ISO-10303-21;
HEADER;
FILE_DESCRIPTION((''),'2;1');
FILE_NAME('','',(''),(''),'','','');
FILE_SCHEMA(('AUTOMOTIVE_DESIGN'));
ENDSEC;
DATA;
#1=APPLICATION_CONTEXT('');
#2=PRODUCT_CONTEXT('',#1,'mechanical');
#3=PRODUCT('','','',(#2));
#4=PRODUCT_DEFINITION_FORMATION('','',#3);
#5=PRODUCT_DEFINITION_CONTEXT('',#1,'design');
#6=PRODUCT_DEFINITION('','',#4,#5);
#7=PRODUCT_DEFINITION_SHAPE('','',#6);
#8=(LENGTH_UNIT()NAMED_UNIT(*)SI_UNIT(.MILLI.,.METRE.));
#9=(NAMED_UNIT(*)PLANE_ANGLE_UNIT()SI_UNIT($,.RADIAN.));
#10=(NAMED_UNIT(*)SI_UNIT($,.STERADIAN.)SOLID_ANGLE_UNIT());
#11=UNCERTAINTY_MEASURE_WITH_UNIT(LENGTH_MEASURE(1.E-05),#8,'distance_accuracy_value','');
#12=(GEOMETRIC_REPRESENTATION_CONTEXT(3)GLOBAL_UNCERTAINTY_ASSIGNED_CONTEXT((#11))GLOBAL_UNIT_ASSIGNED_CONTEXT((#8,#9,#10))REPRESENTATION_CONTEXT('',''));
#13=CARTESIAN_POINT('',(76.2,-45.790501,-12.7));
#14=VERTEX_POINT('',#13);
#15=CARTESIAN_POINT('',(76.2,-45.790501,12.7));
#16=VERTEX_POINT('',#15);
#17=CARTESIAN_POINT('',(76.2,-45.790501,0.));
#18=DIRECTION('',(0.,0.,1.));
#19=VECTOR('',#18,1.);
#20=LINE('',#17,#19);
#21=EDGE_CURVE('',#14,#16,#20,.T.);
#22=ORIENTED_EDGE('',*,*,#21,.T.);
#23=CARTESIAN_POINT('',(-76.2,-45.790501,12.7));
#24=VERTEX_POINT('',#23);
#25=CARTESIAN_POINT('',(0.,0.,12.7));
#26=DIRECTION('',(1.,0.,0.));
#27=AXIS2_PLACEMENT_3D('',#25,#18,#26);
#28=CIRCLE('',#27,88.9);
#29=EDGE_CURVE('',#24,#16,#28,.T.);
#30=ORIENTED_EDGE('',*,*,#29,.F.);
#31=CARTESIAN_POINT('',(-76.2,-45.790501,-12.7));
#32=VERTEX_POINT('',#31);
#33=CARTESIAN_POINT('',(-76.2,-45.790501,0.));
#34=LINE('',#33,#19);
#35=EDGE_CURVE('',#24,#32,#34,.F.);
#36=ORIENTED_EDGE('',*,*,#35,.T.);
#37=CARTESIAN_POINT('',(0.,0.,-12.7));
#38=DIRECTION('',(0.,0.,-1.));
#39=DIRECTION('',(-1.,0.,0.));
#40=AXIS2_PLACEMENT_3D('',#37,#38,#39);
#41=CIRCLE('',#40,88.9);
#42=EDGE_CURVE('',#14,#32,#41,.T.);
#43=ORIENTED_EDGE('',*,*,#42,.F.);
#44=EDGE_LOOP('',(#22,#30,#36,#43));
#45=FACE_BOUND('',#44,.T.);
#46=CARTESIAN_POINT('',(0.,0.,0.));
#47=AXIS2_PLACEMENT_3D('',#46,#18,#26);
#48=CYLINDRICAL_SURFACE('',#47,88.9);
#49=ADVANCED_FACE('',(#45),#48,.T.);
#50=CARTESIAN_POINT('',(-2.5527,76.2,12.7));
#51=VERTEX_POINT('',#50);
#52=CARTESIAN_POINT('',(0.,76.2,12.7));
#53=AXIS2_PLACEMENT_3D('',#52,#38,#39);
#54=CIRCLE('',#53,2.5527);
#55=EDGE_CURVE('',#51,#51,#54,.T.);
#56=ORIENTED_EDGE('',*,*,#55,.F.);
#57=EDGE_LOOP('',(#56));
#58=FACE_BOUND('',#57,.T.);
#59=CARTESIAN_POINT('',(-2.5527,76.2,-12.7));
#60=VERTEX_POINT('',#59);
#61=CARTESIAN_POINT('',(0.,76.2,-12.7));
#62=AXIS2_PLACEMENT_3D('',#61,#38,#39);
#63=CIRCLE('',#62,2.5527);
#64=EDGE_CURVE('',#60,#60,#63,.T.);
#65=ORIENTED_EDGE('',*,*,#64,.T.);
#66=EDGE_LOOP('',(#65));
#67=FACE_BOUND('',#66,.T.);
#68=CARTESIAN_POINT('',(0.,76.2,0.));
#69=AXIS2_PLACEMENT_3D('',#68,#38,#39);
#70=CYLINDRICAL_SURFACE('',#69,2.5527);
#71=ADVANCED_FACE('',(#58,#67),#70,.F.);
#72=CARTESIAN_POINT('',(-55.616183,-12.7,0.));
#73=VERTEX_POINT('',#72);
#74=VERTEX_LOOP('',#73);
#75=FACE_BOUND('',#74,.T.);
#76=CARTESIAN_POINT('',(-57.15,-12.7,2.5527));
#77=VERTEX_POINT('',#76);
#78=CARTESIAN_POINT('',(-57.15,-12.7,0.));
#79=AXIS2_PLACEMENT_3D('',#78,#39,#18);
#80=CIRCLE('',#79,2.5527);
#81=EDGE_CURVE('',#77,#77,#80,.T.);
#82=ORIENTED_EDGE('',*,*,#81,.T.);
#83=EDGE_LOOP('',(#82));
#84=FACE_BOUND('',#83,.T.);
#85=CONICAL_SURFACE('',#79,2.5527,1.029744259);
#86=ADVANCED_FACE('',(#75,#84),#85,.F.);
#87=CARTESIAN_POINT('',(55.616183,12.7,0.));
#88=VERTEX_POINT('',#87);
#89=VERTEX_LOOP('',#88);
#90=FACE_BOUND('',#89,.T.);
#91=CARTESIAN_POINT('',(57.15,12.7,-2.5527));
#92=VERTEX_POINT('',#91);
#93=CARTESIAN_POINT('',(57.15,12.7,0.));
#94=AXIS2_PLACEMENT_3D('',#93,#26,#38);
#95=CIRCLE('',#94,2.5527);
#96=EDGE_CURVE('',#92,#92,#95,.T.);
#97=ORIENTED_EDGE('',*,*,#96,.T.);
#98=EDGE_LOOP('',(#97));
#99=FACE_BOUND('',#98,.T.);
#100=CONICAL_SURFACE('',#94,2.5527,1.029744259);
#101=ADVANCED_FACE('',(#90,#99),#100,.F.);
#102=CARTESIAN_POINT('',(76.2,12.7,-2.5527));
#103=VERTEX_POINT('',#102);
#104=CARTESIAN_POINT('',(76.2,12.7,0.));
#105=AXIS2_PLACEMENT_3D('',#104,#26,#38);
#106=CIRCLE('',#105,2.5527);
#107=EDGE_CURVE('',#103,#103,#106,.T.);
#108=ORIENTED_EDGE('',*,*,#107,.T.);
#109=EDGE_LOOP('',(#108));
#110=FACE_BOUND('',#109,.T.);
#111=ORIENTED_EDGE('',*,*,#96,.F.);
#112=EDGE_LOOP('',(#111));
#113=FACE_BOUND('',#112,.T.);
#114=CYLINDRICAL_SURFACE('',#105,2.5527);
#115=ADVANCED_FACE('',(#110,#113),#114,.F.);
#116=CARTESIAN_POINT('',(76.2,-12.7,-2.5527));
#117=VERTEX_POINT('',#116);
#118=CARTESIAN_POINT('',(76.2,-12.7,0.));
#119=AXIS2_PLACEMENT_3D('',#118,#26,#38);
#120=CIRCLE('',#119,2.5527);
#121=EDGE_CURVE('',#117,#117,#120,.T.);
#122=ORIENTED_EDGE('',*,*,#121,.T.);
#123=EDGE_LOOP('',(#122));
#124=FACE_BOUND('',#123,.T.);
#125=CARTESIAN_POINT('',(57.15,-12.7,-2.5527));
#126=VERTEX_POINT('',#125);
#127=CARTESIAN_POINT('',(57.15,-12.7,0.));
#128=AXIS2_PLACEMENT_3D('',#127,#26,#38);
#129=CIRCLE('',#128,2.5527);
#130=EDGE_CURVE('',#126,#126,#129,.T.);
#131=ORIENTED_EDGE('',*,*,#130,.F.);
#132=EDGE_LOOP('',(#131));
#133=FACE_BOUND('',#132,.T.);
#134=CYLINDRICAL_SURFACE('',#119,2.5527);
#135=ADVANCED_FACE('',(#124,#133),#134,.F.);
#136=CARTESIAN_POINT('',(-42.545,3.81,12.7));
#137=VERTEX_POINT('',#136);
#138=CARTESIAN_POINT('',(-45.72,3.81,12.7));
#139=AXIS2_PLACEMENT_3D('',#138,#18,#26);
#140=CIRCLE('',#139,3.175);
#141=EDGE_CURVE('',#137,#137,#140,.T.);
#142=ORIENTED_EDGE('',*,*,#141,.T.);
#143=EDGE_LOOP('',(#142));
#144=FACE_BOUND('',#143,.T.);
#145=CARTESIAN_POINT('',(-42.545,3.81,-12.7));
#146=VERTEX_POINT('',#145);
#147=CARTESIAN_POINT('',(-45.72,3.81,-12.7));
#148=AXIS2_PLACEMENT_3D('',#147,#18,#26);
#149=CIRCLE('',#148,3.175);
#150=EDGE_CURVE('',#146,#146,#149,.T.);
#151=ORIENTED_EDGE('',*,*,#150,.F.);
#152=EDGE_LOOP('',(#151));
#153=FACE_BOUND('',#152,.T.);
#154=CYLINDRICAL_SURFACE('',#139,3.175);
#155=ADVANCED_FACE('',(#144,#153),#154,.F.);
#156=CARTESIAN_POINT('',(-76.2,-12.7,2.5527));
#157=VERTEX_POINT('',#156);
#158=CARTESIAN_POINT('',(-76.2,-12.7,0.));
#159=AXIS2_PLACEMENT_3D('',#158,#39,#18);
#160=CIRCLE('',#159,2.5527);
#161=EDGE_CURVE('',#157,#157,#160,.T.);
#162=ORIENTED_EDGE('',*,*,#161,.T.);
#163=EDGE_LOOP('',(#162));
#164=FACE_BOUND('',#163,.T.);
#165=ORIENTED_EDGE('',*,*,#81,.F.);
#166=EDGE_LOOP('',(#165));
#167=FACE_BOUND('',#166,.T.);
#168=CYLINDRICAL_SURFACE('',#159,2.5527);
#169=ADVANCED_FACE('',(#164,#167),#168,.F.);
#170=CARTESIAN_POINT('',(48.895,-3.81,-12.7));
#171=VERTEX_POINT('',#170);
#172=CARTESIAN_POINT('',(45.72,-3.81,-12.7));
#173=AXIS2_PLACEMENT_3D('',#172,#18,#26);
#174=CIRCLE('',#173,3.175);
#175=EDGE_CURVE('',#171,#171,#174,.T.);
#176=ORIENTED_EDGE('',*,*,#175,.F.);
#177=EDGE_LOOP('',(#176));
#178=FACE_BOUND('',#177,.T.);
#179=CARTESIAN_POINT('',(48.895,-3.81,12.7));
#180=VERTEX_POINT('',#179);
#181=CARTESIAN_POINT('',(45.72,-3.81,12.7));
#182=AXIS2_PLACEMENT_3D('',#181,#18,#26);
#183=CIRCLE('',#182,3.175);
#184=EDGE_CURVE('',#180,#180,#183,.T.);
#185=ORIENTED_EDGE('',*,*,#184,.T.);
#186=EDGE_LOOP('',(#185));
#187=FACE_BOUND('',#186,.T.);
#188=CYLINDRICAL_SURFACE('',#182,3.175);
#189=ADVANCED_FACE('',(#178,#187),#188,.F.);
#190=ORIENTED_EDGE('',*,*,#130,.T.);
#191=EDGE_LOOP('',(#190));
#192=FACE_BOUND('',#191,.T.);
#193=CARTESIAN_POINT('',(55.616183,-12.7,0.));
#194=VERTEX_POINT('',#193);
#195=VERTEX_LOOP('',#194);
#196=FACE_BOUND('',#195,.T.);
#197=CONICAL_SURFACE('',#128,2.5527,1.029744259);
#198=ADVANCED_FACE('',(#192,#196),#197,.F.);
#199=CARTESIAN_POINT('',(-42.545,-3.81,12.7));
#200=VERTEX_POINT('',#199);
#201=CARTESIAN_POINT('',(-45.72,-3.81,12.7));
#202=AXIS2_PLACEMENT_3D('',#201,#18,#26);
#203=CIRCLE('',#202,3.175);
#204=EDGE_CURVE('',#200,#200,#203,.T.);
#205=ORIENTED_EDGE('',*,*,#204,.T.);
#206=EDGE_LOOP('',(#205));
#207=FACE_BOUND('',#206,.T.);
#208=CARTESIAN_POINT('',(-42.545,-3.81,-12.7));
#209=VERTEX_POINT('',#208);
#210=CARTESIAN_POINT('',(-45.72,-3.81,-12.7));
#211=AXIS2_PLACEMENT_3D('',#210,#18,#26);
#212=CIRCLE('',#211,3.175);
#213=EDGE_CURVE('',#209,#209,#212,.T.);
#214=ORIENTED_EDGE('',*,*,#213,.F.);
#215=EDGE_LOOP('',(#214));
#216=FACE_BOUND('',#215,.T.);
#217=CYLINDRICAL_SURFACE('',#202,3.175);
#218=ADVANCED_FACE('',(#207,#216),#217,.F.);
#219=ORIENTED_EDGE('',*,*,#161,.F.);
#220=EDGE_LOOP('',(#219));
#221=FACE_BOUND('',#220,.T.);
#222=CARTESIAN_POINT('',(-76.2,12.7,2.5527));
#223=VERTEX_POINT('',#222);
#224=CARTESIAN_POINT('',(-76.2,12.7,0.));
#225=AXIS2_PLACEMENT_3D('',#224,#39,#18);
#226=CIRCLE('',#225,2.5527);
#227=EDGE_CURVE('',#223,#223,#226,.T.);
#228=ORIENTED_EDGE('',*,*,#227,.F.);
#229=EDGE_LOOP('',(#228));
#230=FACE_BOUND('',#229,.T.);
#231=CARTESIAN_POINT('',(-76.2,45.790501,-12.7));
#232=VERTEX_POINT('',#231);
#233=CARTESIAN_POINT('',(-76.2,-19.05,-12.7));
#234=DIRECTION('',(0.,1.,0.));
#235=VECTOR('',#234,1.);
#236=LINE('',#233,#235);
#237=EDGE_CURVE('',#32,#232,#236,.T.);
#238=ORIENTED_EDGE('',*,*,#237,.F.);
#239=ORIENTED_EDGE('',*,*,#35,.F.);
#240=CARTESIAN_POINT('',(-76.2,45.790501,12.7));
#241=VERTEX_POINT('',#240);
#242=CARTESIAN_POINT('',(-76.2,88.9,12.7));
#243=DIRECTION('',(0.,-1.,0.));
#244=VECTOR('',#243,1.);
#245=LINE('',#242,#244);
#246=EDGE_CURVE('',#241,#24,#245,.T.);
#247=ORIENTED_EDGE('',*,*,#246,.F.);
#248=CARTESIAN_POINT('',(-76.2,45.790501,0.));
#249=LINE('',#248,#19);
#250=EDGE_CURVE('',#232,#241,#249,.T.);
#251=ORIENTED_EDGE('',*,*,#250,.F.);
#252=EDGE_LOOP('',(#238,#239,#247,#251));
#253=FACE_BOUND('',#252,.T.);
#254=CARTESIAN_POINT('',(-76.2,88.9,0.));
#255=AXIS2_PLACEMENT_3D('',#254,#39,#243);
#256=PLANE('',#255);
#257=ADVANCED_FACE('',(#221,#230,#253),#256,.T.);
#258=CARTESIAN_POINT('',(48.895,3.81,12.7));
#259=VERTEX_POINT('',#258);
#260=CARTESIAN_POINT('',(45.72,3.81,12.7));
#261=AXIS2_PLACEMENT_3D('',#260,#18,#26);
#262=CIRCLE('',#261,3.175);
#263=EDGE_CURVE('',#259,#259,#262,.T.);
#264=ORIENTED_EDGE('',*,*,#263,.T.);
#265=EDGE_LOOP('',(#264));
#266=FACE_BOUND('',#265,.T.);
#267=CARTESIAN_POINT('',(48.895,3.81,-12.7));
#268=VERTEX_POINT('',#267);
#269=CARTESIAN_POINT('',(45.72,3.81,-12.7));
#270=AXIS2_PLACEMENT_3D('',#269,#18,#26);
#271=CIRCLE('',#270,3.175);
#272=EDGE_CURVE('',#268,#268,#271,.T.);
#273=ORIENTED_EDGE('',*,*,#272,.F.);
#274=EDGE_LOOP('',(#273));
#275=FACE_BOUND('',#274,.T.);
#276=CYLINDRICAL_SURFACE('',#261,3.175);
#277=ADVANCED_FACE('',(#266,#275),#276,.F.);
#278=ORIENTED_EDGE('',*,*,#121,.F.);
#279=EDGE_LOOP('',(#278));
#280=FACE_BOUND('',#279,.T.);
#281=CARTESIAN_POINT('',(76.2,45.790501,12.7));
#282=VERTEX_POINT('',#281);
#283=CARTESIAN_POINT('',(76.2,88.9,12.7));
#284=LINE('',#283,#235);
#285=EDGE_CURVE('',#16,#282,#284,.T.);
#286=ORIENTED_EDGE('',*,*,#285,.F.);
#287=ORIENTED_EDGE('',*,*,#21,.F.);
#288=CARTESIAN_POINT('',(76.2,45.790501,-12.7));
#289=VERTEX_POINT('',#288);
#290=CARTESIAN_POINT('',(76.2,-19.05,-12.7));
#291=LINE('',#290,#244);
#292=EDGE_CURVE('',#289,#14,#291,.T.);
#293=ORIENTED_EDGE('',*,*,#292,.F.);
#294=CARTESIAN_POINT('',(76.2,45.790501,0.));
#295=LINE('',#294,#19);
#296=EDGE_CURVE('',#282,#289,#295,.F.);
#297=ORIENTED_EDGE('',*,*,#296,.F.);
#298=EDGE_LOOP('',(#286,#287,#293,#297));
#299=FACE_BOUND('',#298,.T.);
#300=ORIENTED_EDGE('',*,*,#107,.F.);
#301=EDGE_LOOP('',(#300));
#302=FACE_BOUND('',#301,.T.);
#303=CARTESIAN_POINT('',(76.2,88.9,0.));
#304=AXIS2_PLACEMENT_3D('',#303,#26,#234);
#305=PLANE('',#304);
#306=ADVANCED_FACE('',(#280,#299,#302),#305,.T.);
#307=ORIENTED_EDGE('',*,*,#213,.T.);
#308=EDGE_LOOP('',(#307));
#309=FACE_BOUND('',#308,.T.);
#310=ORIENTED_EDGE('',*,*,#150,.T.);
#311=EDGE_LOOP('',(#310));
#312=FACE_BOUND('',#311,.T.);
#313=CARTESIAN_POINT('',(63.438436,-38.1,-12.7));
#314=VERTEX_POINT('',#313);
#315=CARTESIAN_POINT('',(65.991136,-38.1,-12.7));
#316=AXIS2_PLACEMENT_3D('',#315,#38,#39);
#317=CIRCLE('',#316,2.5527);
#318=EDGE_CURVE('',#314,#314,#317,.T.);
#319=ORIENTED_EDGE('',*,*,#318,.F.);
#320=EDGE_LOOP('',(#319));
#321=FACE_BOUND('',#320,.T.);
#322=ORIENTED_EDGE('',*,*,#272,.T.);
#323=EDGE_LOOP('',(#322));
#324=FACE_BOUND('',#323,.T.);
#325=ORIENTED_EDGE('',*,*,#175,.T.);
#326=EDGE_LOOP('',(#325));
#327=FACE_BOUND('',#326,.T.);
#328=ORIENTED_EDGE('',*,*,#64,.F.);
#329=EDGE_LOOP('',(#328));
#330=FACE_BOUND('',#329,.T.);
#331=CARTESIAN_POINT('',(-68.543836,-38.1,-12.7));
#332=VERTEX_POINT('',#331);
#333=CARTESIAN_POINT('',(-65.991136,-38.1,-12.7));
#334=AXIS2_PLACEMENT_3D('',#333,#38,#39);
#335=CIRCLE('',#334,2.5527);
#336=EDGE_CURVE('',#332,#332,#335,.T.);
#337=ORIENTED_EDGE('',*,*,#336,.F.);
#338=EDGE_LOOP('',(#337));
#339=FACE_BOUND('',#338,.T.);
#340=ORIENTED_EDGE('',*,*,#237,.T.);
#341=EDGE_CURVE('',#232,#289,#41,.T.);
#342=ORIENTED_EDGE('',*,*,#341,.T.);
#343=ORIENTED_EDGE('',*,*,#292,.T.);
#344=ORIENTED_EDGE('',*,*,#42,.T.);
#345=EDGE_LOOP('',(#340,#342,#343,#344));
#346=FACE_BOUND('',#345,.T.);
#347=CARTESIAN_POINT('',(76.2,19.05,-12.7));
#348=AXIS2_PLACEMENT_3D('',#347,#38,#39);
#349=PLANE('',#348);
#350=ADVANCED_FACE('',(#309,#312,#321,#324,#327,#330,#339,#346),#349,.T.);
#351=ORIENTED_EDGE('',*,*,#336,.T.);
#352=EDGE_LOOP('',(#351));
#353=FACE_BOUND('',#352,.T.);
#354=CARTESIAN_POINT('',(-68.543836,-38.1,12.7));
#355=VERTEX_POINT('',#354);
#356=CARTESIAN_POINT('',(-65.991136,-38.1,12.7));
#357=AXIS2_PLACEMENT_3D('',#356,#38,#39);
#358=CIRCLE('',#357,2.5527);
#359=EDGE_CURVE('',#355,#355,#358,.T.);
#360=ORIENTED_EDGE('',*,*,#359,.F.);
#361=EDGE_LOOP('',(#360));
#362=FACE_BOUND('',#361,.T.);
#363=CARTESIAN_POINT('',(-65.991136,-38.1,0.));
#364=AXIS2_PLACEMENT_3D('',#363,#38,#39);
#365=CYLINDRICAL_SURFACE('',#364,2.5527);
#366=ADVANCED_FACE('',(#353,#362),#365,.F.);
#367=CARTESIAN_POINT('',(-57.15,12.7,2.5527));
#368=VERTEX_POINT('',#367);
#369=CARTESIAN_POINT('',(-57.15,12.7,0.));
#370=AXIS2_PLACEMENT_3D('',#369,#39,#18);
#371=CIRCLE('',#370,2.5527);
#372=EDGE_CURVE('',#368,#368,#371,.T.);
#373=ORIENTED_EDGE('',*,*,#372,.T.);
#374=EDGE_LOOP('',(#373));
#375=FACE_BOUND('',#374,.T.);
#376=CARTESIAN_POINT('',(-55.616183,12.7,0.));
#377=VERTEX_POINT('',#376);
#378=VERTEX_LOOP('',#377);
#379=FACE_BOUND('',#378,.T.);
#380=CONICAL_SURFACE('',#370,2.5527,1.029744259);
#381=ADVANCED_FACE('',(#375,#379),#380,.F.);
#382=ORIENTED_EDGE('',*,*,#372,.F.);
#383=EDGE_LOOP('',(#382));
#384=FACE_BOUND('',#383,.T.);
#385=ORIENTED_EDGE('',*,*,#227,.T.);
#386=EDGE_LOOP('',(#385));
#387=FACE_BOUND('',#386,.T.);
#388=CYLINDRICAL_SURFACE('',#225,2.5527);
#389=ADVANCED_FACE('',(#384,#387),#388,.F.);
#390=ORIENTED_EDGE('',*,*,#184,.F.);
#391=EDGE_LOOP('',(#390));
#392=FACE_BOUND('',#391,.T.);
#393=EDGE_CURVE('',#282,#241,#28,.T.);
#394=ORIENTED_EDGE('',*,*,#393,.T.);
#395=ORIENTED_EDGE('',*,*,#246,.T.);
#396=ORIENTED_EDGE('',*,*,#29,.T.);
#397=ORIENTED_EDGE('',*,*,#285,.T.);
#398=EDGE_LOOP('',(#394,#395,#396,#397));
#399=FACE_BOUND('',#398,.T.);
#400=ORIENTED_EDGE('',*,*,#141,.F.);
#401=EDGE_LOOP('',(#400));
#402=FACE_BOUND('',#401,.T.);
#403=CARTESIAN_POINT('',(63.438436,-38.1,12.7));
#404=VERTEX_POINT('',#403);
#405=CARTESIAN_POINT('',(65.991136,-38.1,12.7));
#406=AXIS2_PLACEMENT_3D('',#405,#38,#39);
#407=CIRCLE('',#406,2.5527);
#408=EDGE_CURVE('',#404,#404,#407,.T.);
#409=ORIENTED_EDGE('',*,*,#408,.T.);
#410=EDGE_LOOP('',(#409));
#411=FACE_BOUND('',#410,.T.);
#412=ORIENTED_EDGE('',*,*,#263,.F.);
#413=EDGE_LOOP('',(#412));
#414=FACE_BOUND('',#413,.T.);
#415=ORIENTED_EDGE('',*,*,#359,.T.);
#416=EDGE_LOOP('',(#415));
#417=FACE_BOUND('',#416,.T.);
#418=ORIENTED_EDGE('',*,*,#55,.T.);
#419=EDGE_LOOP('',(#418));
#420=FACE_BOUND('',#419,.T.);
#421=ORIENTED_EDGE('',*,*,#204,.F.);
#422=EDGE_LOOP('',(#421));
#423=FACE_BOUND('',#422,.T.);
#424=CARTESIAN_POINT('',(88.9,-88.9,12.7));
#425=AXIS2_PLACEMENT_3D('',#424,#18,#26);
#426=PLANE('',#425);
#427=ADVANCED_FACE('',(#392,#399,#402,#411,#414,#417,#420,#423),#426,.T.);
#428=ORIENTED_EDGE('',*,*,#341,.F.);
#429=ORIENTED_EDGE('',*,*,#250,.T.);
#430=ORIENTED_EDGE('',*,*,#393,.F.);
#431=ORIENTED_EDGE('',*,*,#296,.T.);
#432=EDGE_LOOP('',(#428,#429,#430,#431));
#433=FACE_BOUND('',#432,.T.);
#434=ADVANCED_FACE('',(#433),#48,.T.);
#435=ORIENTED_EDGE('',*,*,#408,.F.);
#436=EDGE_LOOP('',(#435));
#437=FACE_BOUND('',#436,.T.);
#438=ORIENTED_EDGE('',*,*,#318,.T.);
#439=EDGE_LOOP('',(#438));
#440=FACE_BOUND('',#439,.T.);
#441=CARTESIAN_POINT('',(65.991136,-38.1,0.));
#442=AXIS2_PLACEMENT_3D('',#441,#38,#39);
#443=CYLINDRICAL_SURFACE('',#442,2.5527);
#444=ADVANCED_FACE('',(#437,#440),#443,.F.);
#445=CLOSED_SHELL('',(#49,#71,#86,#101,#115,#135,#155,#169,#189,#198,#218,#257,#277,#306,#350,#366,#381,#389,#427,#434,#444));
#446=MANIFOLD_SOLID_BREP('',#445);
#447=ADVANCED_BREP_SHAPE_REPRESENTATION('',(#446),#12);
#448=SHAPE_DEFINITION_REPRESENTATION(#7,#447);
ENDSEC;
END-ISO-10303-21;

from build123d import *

# Parameters (mm, degrees)
SKETCH1_W                   = 177.8
SKETCH1_H                   = 177.8
EXTRUDE1_DEPTH              = 12.7
F_10_CLEARANCE_HOLE1_D      = 5.1054
CIRPATTERN1_COUNT           = 3
SKETCH5_W                   = 177.8
SKETCH5_H                   = 31.75
EXTRUDE2_DEPTH              = 1.5875
SKETCH8_R                   = 152.4
SKETCH8_R_2                 = 88.9
EXTRUDE3_DEPTH              = 13.7
SKETCH9_W                   = 254
SKETCH9_H                   = 254
SKETCH9_W_2                 = 152.4
SKETCH9_H_2                 = 177.8
EXTRUDE4_DEPTH              = 13.7
SKETCH10_W                  = 152.4
SKETCH10_H                  = 38.1
EXTRUDE5_DEPTH              = 12.7
EXTRUDE5_DEPTH_BACK         = 2.54
F_1_4_0_25_DIAMETER_HOLE1_D = 6.35
LPATTERN1_COUNT             = 2
LPATTERN1_PITCH             = 7.62
LPATTERN1_COUNT_DIR2        = 2
LPATTERN1_PITCH_DIR2        = 91.44
F_1_4_20_TAPPED_HOLE1_D     = 5.1054
F_1_4_20_TAPPED_HOLE1_DEPTH = 19.05
F_1_4_20_TAPPED_HOLE1_TIP   = 1.533817
F_1_4_20_TAPPED_HOLE2_D     = 5.1054
F_1_4_20_TAPPED_HOLE2_DEPTH = 19.05
F_1_4_20_TAPPED_HOLE2_TIP   = 1.533817
SKETCH17_R                  = 2.5527
EXTRUDE6_DEPTH              = 12.7


with BuildPart() as part:
    # Sketch1 → Extrude1 (new body)
    with BuildSketch(Plane.XY):
        Rectangle(SKETCH1_W, SKETCH1_H)
    extrude(amount=EXTRUDE1_DEPTH)

    # 10 Clearance Hole1 (through all)
    with Locations(Plane(origin=(0, 0, 0), x_dir=(-1, 0, 0), z_dir=(0, 0, -1))):
        with Locations((0, 76.2)):
            f_10_clearance_hole1 = Hole(F_10_CLEARANCE_HOLE1_D / 2)

    # CirPattern1: 10 Clearance Hole1 ×3 about axis
    cirpattern1_axis = Axis((0, 0, 0), (0, 0, 1))
    for i in range(1, CIRPATTERN1_COUNT):
        add(f_10_clearance_hole1.rotate(cirpattern1_axis, i * 360 / CIRPATTERN1_COUNT), mode=Mode.SUBTRACT)

    # Sketch5 → Extrude2 (cut)
    with BuildSketch(Plane.XY):
        Rectangle(SKETCH5_W, SKETCH5_H)
    extrude(amount=EXTRUDE2_DEPTH, mode=Mode.SUBTRACT)

    # Sketch8 → Extrude3 (cut, through all)
    with BuildSketch(Plane.XY.offset(12.7)):
        Circle(SKETCH8_R)
        Circle(SKETCH8_R_2, mode=Mode.SUBTRACT)
    extrude(amount=-EXTRUDE3_DEPTH, mode=Mode.SUBTRACT)

    # Sketch9 → Extrude4 (cut, through all)
    with BuildSketch(Plane.XY.offset(12.7)):
        Rectangle(SKETCH9_W, SKETCH9_H)
        Rectangle(SKETCH9_W_2, SKETCH9_H_2, mode=Mode.SUBTRACT)
    extrude(amount=-EXTRUDE4_DEPTH, mode=Mode.SUBTRACT)

    # Sketch10 → Extrude5 (add, two sides)
    with BuildSketch(Plane(origin=(0, 0, 0), x_dir=(-1, 0, 0), z_dir=(0, 0, -1))) as extrude5_sk:
        Rectangle(SKETCH10_W, SKETCH10_H)
    extrude(amount=EXTRUDE5_DEPTH)
    extrude(extrude5_sk.sketch, amount=-EXTRUDE5_DEPTH_BACK)

    # 1_4 _0.25_ Diameter Hole1 (through all)
    with Locations(Plane.XY.offset(12.7)):
        with Locations((-45.72, 3.81)):
            f_1_4_0_25_diameter_hole1 = Hole(F_1_4_0_25_DIAMETER_HOLE1_D / 2)

    # LPattern1: 1_4 _0.25_ Diameter Hole1 2 × 2
    with Locations(*[(j * LPATTERN1_PITCH_DIR2, -i * LPATTERN1_PITCH, 0) for i in range(LPATTERN1_COUNT) for j in range(LPATTERN1_COUNT_DIR2) if (i, j) != (0, 0)]):
        add(f_1_4_0_25_diameter_hole1, mode=Mode.SUBTRACT)

    # 1_4-20 Tapped Hole1
    with Locations(Plane.ZY.offset(76.2)):
        with Locations((0, 12.7), (0, -12.7)):
            Hole(F_1_4_20_TAPPED_HOLE1_D / 2, depth=F_1_4_20_TAPPED_HOLE1_DEPTH)
            with Locations((0, 0, -(F_1_4_20_TAPPED_HOLE1_DEPTH + F_1_4_20_TAPPED_HOLE1_TIP / 2))):  # 118° drill point
                Cone(0, F_1_4_20_TAPPED_HOLE1_D / 2, F_1_4_20_TAPPED_HOLE1_TIP, mode=Mode.SUBTRACT)

    # 1_4-20 Tapped Hole2
    with Locations(Plane(origin=(76.2, 0, 0), x_dir=(0, 0, -1), z_dir=(1, 0, 0))):
        with Locations((0, 12.7), (0, -12.7)):
            Hole(F_1_4_20_TAPPED_HOLE2_D / 2, depth=F_1_4_20_TAPPED_HOLE2_DEPTH)
            with Locations((0, 0, -(F_1_4_20_TAPPED_HOLE2_DEPTH + F_1_4_20_TAPPED_HOLE2_TIP / 2))):  # 118° drill point
                Cone(0, F_1_4_20_TAPPED_HOLE2_D / 2, F_1_4_20_TAPPED_HOLE2_TIP, mode=Mode.SUBTRACT)

    # Sketch17 → Extrude6 (add)
    with BuildSketch(Plane(origin=(0, 0, 0), x_dir=(-1, 0, 0), z_dir=(0, 0, -1))):
        with BuildLine():
            Line((76.2, -45.790501), (76.2, -19.05))
            Line((76.2, -19.05), (-76.2, -19.05))
            Line((-76.2, -19.05), (-76.2, -45.790501))
            ThreePointArc((-76.2, -45.790501), (0, -88.9), (76.2, -45.790501))
        make_face()
        with Locations((-65.991136, -38.1)):
            Circle(SKETCH17_R, mode=Mode.SUBTRACT)
        with Locations((65.991136, -38.1)):
            Circle(SKETCH17_R, mode=Mode.SUBTRACT)
        with BuildLine():
            Line((-76.2, 45.790501), (-76.2, 19.05))
            Line((-76.2, 19.05), (76.2, 19.05))
            Line((76.2, 19.05), (76.2, 45.790501))
            ThreePointArc((76.2, 45.790501), (0, 88.9), (-76.2, 45.790501))
        make_face()
        with Locations((0, 76.2)):
            Circle(SKETCH17_R, mode=Mode.SUBTRACT)
    extrude(amount=EXTRUDE6_DEPTH)


solid = part.part
